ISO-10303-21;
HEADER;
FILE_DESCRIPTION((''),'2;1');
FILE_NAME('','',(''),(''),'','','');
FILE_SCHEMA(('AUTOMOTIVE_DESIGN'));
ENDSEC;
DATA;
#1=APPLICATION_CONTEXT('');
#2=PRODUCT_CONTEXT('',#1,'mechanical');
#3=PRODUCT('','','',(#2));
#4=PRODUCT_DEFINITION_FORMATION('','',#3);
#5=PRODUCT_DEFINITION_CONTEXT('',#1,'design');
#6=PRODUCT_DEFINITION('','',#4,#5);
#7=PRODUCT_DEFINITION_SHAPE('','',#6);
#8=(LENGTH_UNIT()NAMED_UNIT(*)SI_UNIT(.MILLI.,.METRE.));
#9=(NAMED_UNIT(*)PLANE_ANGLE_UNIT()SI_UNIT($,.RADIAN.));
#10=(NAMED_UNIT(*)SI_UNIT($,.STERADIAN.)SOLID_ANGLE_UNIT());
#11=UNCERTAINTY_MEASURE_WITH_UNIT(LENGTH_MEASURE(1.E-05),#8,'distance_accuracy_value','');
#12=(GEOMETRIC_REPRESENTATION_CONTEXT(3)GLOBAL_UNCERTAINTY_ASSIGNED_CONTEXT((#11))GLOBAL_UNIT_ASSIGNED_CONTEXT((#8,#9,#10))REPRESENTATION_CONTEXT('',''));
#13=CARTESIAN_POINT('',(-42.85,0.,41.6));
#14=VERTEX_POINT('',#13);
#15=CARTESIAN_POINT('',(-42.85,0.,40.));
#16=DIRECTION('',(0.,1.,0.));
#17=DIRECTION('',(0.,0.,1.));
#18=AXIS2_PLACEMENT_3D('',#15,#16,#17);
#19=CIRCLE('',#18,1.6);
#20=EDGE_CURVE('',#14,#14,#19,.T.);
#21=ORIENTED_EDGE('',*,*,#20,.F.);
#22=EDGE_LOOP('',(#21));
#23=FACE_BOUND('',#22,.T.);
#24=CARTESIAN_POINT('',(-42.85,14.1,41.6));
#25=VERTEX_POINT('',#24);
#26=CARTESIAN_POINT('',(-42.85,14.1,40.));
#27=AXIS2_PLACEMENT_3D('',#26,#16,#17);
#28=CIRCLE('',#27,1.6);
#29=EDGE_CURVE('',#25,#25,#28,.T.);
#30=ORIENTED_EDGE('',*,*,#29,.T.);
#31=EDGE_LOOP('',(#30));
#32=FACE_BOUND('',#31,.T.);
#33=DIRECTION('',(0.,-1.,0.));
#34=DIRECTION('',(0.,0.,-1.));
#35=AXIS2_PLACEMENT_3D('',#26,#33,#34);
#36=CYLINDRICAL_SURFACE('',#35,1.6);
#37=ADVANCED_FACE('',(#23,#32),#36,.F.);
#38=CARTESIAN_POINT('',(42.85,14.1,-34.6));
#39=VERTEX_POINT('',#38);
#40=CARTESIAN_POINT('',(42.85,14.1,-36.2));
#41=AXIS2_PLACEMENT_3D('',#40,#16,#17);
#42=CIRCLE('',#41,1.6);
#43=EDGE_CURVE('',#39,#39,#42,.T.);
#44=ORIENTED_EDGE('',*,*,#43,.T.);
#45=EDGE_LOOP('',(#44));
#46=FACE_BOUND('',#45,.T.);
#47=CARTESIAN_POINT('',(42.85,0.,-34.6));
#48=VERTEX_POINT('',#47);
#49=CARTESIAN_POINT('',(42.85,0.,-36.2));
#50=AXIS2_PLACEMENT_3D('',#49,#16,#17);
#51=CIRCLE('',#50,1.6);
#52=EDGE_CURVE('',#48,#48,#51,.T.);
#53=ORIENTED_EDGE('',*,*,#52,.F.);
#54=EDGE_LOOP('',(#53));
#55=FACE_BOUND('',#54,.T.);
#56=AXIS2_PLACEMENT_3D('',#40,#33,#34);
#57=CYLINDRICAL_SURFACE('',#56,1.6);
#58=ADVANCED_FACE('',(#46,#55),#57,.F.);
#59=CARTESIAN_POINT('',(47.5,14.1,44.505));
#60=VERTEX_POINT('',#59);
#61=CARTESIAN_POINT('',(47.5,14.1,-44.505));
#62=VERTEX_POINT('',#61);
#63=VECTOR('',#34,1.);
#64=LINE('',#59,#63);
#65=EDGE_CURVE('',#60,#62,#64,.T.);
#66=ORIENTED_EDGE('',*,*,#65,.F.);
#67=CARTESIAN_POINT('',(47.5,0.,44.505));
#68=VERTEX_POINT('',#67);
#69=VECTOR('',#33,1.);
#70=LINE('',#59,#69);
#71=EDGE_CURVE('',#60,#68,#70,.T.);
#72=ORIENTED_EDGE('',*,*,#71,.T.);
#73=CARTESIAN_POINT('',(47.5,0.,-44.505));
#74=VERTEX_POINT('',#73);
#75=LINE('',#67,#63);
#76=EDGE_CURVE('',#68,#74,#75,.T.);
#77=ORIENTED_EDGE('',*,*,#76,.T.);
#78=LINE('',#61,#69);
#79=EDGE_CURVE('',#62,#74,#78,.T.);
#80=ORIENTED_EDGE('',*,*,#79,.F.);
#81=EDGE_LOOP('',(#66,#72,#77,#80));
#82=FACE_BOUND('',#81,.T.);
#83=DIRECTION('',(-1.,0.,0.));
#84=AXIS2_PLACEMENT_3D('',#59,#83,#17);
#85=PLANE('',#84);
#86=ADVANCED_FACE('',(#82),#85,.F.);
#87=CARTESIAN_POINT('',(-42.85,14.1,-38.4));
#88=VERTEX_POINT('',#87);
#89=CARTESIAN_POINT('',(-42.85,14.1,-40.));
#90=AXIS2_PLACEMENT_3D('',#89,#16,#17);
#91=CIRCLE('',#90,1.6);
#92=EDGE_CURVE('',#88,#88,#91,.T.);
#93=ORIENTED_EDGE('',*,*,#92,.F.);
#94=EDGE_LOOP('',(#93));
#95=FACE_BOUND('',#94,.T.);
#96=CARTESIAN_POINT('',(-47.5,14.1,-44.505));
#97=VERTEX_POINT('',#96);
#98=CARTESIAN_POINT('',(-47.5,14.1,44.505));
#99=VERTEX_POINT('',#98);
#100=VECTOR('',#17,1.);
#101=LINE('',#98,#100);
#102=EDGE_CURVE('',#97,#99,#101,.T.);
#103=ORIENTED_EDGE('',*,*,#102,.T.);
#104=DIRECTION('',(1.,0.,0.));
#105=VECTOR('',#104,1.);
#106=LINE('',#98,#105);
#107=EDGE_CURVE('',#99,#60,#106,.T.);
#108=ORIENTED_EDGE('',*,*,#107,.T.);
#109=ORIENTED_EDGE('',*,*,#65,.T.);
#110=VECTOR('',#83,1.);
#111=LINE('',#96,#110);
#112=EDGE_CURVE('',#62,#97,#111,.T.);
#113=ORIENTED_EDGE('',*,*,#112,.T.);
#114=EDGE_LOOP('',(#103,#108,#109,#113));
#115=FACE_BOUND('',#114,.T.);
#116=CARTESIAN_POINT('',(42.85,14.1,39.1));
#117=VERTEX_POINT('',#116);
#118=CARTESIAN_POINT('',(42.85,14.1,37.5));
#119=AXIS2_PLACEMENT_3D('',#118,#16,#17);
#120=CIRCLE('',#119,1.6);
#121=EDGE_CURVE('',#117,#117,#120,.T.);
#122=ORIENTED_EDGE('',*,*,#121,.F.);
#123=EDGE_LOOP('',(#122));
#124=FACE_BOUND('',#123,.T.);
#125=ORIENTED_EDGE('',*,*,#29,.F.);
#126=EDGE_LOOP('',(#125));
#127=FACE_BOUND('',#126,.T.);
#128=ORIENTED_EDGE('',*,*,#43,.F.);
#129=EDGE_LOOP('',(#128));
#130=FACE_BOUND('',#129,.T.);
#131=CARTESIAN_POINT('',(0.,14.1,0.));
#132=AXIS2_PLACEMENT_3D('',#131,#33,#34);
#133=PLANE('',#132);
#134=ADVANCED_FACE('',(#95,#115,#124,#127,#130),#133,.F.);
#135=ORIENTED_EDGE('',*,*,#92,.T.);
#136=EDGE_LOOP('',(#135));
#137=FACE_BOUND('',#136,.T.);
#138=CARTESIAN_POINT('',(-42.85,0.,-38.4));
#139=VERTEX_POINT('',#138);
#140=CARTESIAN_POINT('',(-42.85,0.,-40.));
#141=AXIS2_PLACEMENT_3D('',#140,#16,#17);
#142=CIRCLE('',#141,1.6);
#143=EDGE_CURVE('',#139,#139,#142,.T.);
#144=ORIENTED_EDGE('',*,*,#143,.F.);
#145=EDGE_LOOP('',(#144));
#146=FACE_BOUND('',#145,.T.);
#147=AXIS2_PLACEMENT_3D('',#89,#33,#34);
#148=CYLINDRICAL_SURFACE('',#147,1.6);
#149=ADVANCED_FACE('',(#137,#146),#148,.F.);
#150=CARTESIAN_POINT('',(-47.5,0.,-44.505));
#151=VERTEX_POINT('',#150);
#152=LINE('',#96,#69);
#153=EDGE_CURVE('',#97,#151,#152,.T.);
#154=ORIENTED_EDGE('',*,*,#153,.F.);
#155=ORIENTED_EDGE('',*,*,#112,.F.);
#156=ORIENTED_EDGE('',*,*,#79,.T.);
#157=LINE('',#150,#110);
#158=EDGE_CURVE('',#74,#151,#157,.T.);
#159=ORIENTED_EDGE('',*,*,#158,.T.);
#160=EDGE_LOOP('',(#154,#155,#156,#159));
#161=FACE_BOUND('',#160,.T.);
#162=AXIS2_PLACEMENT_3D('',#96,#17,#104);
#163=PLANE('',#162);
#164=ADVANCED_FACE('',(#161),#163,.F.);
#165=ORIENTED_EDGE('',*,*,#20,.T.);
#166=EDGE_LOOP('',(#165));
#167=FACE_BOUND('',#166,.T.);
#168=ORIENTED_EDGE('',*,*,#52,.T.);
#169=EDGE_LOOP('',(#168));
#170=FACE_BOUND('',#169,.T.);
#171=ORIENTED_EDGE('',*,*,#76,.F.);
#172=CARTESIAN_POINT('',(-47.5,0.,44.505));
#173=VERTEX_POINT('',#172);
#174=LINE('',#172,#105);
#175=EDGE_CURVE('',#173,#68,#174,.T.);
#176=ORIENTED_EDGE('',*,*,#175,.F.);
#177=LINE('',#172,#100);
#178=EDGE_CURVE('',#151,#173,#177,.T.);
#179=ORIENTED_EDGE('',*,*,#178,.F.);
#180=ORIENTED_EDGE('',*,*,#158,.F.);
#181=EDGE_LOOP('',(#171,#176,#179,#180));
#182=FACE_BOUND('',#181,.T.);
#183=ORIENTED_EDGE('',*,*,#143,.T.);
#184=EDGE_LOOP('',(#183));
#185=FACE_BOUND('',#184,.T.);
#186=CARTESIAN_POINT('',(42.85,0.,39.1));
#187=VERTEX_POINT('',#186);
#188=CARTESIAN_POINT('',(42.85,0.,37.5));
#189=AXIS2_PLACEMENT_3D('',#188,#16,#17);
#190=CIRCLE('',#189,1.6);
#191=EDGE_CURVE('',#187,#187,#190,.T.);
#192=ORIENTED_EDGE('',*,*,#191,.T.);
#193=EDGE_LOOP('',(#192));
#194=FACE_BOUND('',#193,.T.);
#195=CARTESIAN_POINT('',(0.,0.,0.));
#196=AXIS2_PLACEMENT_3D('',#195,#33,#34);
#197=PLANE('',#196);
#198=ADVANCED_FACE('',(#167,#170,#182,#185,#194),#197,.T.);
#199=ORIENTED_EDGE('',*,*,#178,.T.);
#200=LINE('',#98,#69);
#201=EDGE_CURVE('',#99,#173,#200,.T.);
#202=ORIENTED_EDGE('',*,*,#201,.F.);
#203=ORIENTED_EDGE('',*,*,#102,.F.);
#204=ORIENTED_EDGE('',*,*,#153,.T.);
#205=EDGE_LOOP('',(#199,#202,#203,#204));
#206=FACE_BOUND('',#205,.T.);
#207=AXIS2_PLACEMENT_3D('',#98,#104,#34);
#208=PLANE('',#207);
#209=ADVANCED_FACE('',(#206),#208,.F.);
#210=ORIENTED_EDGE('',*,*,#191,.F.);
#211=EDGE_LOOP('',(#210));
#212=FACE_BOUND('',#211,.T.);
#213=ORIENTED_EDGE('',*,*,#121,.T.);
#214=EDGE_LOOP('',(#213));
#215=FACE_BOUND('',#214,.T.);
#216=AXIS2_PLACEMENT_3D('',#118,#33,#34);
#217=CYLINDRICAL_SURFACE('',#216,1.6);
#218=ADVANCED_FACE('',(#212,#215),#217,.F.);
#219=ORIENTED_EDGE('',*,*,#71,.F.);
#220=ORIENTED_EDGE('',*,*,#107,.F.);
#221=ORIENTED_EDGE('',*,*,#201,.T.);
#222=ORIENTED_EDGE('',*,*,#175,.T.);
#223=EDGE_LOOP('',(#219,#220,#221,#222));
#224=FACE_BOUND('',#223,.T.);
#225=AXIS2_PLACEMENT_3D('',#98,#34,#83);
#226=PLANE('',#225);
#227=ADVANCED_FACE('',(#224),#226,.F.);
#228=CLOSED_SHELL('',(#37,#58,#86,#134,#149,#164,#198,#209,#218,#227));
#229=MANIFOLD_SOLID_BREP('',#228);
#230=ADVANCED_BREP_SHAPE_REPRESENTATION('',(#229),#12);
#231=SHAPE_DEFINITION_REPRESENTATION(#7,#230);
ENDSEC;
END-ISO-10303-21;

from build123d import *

# Parameters (mm, degrees)
SKETCH1_W           = 95
SKETCH1_H           = 89.01
SKETCH1_R           = 1.6
BOSS_EXTRUDE1_DEPTH = 14.1


with BuildPart() as part:
    # Sketch1 → Boss-Extrude1 (new body)
    with BuildSketch(Plane(origin=(0, 0, 0), x_dir=(1, 0, 0), z_dir=(0, 1, 0))):
        Rectangle(SKETCH1_W, SKETCH1_H)
        with Locations((-42.85, 40)):
            Circle(SKETCH1_R, mode=Mode.SUBTRACT)
        with Locations((42.85, 36.2)):
            Circle(SKETCH1_R, mode=Mode.SUBTRACT)
        with Locations((-42.85, -40)):
            Circle(SKETCH1_R, mode=Mode.SUBTRACT)
        with Locations((42.85, -37.5)):
            Circle(SKETCH1_R, mode=Mode.SUBTRACT)
    extrude(amount=BOSS_EXTRUDE1_DEPTH)


solid = part.part
